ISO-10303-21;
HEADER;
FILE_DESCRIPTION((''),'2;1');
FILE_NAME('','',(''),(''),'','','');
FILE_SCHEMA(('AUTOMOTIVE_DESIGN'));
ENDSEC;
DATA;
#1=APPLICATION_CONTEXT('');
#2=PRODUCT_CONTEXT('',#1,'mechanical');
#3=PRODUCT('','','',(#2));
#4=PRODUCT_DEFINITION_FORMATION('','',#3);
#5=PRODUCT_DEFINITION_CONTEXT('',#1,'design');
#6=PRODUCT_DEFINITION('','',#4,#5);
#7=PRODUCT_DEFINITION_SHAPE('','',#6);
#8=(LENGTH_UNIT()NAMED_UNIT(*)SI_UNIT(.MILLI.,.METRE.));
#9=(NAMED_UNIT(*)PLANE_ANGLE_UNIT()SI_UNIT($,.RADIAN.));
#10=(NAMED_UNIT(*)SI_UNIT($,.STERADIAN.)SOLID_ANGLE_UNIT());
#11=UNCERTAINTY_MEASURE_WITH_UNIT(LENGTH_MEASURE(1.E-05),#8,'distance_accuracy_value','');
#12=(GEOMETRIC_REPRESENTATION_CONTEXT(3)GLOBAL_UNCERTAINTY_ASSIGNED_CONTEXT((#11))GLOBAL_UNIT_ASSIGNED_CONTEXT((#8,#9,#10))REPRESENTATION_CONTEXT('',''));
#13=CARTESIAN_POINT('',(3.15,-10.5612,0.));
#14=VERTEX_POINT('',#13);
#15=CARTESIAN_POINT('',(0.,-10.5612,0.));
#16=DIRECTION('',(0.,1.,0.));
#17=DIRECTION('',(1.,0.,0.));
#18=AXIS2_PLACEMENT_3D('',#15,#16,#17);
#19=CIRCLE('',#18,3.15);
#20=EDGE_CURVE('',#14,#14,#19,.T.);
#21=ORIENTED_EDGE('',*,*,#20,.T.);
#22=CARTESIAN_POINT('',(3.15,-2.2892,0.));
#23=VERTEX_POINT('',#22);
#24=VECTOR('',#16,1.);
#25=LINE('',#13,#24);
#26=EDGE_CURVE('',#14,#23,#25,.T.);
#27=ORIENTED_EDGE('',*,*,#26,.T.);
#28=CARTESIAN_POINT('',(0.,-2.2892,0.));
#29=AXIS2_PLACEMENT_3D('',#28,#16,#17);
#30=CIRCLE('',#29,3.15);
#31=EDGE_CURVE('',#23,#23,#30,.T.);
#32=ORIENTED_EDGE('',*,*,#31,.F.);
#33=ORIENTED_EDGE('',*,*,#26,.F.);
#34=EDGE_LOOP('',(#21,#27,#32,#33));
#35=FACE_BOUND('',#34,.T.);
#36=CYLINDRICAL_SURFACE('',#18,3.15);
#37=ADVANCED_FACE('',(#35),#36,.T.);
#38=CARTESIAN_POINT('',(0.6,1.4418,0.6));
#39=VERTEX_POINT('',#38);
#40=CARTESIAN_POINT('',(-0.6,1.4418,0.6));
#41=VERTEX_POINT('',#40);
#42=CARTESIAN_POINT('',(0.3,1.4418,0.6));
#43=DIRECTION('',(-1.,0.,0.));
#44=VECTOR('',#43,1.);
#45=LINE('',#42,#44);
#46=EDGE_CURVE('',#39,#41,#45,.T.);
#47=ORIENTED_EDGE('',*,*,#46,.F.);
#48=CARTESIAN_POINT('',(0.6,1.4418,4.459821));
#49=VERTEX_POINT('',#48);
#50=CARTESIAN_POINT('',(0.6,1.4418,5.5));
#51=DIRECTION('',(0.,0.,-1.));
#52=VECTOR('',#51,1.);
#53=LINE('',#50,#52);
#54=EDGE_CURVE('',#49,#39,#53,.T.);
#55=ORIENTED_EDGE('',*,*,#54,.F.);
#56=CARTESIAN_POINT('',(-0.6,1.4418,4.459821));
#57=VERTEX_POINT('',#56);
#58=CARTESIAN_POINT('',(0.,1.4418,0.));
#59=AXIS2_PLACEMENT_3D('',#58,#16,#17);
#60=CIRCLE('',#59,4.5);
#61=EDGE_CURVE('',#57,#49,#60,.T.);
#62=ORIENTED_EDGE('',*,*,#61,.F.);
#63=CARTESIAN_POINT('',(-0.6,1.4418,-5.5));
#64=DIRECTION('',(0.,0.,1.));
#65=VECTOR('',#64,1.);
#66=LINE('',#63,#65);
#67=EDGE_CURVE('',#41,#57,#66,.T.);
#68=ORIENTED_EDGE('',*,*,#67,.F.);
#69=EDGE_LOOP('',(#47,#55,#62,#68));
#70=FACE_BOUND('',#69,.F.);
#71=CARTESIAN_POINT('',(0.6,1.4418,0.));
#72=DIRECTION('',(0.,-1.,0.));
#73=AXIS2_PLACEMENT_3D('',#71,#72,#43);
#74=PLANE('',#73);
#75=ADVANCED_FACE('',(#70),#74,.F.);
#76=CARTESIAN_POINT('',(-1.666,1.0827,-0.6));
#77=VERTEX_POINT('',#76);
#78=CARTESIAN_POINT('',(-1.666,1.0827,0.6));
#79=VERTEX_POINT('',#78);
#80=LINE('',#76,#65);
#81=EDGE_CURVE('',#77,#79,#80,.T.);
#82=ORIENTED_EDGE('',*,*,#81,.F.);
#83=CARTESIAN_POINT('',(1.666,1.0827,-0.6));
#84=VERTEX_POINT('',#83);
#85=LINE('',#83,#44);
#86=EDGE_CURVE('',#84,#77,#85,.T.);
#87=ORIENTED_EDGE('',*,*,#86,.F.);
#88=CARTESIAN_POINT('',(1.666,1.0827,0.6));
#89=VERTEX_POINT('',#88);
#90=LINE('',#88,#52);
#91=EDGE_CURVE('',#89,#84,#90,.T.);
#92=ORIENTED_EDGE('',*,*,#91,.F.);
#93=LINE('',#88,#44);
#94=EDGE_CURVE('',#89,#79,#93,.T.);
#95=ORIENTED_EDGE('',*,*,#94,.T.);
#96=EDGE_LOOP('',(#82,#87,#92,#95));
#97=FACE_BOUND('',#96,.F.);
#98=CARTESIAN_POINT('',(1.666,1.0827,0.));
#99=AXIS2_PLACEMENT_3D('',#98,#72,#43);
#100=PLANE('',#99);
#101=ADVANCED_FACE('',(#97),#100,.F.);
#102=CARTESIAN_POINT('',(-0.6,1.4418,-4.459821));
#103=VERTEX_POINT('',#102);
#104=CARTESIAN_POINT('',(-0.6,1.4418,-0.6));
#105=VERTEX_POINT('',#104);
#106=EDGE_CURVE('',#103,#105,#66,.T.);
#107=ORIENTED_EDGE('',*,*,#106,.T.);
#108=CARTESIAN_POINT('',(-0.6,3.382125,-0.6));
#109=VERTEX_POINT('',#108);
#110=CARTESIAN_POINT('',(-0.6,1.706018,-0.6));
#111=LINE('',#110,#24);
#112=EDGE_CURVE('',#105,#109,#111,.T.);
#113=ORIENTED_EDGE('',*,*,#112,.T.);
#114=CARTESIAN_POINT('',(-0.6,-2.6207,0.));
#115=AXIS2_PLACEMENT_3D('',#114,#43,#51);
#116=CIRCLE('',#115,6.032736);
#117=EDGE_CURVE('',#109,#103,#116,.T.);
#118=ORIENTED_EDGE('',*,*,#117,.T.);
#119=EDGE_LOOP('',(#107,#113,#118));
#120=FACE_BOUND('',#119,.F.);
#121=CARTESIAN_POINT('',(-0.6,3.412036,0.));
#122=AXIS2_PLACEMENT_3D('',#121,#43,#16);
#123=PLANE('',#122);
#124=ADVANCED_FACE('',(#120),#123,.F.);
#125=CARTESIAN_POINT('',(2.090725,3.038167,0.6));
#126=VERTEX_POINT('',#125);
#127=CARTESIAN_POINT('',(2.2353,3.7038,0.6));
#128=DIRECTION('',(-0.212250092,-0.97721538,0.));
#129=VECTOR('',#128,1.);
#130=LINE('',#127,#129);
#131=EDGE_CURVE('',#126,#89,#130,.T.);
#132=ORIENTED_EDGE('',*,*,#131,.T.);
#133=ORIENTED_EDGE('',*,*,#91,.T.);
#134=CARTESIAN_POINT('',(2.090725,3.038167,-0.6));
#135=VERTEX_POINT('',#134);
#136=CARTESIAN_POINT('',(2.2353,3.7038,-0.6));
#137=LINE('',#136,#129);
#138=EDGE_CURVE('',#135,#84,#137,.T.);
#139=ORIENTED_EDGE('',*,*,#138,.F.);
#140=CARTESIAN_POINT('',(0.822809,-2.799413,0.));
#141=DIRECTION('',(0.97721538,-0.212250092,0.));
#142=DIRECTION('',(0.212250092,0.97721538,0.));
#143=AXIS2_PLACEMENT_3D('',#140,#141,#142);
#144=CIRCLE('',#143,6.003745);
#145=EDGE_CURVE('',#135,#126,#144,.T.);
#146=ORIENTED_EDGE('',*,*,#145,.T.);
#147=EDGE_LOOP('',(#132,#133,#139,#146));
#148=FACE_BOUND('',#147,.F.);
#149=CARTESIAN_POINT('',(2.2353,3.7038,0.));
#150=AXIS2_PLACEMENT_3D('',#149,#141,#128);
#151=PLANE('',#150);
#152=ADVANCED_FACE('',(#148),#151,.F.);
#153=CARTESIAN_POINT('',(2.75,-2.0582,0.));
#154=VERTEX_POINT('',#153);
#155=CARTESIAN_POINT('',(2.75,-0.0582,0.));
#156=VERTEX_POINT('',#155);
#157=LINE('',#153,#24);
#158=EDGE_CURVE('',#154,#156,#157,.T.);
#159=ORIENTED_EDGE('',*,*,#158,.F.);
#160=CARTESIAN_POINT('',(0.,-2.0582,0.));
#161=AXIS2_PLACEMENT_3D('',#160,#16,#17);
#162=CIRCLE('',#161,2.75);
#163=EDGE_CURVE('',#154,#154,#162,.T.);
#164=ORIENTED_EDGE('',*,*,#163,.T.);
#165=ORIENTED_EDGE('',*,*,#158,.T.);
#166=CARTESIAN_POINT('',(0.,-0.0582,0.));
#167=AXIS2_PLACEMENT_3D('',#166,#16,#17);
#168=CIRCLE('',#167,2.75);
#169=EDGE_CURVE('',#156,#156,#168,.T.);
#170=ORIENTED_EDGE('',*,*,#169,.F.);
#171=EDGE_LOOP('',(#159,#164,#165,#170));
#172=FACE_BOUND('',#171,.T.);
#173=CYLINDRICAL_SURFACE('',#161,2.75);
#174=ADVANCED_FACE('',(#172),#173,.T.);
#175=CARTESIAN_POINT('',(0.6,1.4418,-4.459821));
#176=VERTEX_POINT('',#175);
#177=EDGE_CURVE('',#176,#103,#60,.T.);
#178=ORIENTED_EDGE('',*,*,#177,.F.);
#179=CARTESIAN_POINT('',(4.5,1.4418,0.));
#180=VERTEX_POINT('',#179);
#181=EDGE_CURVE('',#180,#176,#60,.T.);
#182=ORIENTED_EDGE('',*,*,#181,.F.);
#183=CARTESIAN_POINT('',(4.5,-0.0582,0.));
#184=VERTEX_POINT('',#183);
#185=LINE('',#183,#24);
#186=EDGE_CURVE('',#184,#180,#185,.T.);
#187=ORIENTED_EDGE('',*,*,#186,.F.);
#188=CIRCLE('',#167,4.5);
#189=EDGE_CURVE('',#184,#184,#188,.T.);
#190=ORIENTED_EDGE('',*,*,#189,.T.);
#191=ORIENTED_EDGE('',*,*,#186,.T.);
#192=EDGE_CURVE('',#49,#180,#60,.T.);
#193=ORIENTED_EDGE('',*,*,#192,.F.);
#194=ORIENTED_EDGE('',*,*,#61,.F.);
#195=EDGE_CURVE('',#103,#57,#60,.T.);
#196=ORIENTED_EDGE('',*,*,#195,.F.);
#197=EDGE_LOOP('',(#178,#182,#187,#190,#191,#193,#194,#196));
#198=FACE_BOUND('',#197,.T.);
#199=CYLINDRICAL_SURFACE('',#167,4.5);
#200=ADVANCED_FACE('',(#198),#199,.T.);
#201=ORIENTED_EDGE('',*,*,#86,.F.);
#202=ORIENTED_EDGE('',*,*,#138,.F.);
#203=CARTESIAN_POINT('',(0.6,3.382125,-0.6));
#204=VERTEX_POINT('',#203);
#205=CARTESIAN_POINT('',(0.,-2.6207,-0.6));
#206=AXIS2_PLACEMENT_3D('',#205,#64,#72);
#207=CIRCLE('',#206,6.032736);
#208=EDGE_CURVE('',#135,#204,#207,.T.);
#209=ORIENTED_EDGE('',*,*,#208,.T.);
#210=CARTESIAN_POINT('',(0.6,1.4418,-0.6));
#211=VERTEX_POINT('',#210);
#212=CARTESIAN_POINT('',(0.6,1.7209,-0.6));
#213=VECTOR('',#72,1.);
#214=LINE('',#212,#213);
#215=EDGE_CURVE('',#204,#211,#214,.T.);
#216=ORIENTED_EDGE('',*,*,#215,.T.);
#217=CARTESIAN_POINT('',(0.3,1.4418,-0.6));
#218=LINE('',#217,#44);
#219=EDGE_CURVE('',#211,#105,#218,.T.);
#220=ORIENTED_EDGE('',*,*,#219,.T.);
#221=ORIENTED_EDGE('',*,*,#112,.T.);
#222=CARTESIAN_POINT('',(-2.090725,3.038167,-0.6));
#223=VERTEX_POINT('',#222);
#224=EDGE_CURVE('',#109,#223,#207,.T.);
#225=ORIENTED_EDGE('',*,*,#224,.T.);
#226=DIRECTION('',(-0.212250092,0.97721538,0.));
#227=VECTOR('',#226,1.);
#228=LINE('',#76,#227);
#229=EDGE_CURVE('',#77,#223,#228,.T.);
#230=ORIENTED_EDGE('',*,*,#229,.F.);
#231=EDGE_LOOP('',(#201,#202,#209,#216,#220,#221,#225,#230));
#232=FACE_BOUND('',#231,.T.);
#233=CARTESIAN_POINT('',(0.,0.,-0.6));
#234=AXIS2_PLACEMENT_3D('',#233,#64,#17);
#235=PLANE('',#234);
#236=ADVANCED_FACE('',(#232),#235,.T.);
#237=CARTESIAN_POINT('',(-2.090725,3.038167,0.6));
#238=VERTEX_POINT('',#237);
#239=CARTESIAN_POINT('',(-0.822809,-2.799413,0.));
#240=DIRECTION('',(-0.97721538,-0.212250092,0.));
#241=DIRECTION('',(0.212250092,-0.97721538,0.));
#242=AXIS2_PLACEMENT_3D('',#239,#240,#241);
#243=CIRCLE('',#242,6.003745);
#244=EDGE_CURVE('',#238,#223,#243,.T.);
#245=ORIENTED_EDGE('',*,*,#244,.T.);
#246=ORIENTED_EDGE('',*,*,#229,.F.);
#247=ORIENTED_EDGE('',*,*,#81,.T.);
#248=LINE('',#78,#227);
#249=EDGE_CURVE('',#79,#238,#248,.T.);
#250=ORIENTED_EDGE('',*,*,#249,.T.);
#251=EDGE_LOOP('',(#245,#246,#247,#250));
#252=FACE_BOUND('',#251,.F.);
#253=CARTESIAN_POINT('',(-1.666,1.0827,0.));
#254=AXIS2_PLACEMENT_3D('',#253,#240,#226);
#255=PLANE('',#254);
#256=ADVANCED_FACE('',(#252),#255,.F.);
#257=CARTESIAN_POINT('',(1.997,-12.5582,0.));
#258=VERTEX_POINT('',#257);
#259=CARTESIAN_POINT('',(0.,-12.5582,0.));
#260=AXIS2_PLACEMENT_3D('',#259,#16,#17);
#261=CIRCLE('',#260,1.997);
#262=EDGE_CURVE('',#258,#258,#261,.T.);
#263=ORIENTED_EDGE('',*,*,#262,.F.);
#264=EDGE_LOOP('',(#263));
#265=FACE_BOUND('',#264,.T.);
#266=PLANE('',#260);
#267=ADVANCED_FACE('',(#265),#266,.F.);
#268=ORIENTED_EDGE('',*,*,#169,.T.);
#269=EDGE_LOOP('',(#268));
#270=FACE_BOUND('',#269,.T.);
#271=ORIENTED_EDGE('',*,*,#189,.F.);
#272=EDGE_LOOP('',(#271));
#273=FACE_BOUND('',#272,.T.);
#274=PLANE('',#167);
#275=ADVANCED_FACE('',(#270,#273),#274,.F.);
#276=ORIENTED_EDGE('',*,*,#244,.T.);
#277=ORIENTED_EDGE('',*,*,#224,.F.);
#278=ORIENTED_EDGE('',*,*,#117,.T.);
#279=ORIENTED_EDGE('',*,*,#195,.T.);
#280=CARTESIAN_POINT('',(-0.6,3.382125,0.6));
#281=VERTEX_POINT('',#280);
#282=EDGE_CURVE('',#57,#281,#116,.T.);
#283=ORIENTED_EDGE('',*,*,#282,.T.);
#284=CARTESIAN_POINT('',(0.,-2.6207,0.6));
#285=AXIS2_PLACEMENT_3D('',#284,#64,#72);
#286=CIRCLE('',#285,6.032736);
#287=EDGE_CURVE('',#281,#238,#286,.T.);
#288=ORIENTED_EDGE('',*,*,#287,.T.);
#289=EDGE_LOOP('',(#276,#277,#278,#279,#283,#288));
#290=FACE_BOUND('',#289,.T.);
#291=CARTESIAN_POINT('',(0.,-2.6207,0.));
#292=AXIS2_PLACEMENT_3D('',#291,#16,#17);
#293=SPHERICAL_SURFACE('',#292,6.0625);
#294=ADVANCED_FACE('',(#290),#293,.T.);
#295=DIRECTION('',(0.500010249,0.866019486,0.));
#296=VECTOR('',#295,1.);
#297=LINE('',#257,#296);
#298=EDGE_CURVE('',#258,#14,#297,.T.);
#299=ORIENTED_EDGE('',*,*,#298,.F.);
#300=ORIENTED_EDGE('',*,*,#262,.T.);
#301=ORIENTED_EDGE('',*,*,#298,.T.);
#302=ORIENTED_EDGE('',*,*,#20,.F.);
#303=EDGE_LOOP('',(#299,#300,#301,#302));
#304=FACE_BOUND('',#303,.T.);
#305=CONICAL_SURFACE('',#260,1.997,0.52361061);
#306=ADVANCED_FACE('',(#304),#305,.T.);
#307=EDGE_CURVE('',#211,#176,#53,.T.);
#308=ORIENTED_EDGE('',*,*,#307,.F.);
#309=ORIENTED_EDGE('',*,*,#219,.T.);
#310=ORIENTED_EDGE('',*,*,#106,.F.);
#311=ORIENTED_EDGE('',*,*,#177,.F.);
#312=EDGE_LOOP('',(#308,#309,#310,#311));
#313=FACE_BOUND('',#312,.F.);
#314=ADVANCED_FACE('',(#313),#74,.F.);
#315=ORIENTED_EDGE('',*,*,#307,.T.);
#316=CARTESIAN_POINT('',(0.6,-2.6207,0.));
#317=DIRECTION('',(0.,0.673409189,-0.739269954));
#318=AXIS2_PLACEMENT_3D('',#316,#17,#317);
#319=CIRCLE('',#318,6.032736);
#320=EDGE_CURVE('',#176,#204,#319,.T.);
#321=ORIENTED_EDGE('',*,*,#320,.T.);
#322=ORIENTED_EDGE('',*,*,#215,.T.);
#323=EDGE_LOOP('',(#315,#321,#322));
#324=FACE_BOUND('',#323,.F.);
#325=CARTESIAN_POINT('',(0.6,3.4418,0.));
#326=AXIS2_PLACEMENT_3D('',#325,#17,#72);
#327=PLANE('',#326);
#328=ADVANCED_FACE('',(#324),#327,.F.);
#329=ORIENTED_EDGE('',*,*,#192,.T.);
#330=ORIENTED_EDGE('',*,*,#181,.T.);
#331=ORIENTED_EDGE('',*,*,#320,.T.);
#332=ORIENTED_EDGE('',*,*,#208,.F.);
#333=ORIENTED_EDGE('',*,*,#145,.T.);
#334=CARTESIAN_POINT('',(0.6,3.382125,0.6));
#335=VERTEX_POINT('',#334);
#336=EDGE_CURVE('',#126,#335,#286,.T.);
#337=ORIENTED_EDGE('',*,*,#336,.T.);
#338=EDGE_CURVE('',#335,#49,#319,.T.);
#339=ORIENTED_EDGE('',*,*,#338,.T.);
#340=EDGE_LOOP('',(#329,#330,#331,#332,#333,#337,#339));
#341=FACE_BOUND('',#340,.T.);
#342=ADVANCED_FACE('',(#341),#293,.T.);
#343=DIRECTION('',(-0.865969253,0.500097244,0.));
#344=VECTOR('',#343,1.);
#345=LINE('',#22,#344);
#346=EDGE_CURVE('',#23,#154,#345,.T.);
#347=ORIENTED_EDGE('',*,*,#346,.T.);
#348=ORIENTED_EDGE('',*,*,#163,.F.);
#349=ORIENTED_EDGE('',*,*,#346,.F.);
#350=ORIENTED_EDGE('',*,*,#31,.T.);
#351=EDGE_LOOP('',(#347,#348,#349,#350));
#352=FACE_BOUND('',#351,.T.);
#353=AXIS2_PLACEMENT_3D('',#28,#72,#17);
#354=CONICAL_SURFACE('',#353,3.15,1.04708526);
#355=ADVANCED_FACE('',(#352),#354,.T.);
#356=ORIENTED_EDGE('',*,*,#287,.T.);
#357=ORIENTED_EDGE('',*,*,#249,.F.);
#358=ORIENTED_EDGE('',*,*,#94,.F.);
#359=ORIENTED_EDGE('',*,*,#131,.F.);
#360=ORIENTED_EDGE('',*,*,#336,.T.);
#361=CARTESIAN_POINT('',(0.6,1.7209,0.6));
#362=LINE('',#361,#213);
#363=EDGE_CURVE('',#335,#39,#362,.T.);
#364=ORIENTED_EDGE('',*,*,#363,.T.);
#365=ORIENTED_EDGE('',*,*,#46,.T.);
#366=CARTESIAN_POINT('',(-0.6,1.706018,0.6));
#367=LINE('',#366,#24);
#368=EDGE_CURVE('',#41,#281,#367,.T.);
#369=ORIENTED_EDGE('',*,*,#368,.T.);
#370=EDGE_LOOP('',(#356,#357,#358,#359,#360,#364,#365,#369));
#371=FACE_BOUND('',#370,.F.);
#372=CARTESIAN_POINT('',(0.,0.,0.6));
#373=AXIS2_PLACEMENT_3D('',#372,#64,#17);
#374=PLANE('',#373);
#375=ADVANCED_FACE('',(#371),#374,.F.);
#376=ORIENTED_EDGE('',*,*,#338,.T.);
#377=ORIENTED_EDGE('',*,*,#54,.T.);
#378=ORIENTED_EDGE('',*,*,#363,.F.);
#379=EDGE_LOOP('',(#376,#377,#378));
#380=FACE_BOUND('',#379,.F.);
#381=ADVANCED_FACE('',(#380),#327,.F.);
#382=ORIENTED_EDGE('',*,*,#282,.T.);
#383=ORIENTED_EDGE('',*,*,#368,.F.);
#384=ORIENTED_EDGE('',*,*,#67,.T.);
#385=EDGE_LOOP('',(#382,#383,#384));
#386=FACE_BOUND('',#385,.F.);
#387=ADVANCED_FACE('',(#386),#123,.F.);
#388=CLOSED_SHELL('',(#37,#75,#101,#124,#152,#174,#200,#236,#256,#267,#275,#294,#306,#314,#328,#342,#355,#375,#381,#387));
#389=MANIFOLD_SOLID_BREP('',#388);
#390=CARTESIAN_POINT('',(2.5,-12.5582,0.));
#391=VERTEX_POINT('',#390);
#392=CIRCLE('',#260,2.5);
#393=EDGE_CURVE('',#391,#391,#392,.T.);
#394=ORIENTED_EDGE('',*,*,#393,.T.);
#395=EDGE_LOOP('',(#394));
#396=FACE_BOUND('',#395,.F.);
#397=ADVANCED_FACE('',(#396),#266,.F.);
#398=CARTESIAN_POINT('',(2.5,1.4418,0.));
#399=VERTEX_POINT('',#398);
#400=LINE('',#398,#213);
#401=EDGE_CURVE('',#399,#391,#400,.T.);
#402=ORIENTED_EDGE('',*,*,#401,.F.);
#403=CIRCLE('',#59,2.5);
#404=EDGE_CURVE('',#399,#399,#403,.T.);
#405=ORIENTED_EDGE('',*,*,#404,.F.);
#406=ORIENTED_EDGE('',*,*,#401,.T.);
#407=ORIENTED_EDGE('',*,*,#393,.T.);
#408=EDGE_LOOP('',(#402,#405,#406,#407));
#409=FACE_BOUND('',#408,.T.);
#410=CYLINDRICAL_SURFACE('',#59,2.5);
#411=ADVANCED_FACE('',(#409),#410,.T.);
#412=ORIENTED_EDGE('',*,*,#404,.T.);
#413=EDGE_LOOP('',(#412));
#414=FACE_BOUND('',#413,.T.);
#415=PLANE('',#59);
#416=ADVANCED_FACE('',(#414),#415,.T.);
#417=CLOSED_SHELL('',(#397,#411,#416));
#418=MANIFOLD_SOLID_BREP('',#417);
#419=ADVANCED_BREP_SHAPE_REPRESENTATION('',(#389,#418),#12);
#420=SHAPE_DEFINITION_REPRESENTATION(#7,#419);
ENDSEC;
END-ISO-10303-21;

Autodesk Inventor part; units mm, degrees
ref_plane "YZ Plane" through (0, 0, 0) normal (1, 0, 0) x (0, 1, 0)
ref_plane "XZ Plane" through (0, 0, 0) normal (0, 1, 0) x (-1, 0, 0)
ref_plane "XY Plane" through (0, 0, 0) normal (0, 0, 1) x (1, 0, 0)
sketch "Sketch1" plane through (0, 0, 0) normal (0, 0, 1) x (1, 0, 0)
  line L0 (3.15, -10.5612) -> (3.15, -2.2892)
  line L1 (1.997, -12.5582) -> (3.15, -10.5612)
  line L2 (0, -12.5582) -> (1.997, -12.5582)
  line L3 (0, -20.7284) -> (0, -13.6389) construction
  line L4 (0, -12.5582) -> (0, 3.4418)
  line L5 (2.6537, 0) -> (-1.8059, 0)
  line L6 (2.75, -2.0582) -> (2.75, -0.0582)
  line L7 (2.75, -0.0582) -> (4.5, -0.0582)
  line L8 (7.0831, -0.0582) -> (2.8831, -0.0582)
  arc A0 (4.5, 1.4418) -> (0, 3.4418) centre (0, -2.6207) ccw
  line L9 (4.5, -0.0582) -> (4.5, 1.4418)
  line L10 (3.15, -2.2892) -> (2.75, -2.0582)
  point P0 (0, 0)
  point P1 (0, -3.5)
  point P2 (0, -3.5)
  point P3 (0, 0.0007)
  point P4 (0.4239, 0)
  dimension "d0" = 6.3
  dimension "d1" = 5.5
  dimension "d2" = 2
  dimension "d4" = 16
  dimension "d5" = 9
  dimension "d6" = 1.5
  dimension "d7" = 30
  dimension "d8" = 1.153
  dimension "d9" = 3.4418
revolve "Revolution1" add sketch "Sketch1" angle 360 about axis through (0, -12.5582, 0) along (0, 1, 0)
sketch "Sketch2" plane through (0, 0, 0) normal (0, 0, 1) x (1, 0, 0)
  line L0 (-0.6, 3.4418) -> (0.6, 3.4418)
  line L1 (0.6, 3.4418) -> (0.6, 1.4418)
  line L2 (0.6, 1.4418) -> (-0.6, 1.4418)
  line L3 (-0.6, 1.4418) -> (-0.6, 3.4418)
  arc A0 (4.5, 1.4418) -> (-4.5, 1.4418) centre (0, -2.6207) ccw projected
  point P0 (0, 0)
  point P1 (0, 3.4418)
  dimension "d11" = 1.2
  dimension "d12" = 2
extrude "Extrusion1" cut sketch "Sketch2" along normal through all both and the other way through all
sketch "Sketch3" plane through (0, 0, 0) normal (0, 0, 1) x (1, 0, 0)
  line L0 (-2.2353, 3.7038) -> (2.2353, 3.7038)
  line L1 (2.2353, 3.7038) -> (1.666, 1.0827)
  line L2 (1.666, 1.0827) -> (-1.666, 1.0827)
  line L3 (-1.666, 1.0827) -> (-2.2353, 3.7038)
  point P0 (0, 0)
  point P1 (0, 3.7038)
  point P2 (0, 1.0827)
extrude "Extrusion2" cut sketch "Sketch3" along normal mid plane 1.2
thread "Thread1" size "M7x1" class "6g" standard "ISO Metric profile" full length
sketch "Sketch4" plane through (0, 1.4418, 0) normal (0, 1, 0) x (1, 0, 0)
  arc A0 (-0.6, -4.4598) -> (0.6, -4.4598) centre (0, 0) ccw projected
  circle A1 centre (0, 0) radius 2.5
  point P0 (-0.6, -3.4482)
  point P1 (0.6, -3.4482)
  dimension "d19" = 5
extrude "Extrusion3" add sketch "Sketch4" against normal up to surface (14 mm away) separate body
equation "\"d0\" = Thread_diameter"
equation "\"d4\" = Length"
equation "\"d5\" = Head_Diameter"
equation "\"Head_Diameter\" = 9"
equation "\"Thread_diameter\" = 6.3"
equation "\"Length\" = 16"
properties part number "EuroScrew D9 L16 H"
